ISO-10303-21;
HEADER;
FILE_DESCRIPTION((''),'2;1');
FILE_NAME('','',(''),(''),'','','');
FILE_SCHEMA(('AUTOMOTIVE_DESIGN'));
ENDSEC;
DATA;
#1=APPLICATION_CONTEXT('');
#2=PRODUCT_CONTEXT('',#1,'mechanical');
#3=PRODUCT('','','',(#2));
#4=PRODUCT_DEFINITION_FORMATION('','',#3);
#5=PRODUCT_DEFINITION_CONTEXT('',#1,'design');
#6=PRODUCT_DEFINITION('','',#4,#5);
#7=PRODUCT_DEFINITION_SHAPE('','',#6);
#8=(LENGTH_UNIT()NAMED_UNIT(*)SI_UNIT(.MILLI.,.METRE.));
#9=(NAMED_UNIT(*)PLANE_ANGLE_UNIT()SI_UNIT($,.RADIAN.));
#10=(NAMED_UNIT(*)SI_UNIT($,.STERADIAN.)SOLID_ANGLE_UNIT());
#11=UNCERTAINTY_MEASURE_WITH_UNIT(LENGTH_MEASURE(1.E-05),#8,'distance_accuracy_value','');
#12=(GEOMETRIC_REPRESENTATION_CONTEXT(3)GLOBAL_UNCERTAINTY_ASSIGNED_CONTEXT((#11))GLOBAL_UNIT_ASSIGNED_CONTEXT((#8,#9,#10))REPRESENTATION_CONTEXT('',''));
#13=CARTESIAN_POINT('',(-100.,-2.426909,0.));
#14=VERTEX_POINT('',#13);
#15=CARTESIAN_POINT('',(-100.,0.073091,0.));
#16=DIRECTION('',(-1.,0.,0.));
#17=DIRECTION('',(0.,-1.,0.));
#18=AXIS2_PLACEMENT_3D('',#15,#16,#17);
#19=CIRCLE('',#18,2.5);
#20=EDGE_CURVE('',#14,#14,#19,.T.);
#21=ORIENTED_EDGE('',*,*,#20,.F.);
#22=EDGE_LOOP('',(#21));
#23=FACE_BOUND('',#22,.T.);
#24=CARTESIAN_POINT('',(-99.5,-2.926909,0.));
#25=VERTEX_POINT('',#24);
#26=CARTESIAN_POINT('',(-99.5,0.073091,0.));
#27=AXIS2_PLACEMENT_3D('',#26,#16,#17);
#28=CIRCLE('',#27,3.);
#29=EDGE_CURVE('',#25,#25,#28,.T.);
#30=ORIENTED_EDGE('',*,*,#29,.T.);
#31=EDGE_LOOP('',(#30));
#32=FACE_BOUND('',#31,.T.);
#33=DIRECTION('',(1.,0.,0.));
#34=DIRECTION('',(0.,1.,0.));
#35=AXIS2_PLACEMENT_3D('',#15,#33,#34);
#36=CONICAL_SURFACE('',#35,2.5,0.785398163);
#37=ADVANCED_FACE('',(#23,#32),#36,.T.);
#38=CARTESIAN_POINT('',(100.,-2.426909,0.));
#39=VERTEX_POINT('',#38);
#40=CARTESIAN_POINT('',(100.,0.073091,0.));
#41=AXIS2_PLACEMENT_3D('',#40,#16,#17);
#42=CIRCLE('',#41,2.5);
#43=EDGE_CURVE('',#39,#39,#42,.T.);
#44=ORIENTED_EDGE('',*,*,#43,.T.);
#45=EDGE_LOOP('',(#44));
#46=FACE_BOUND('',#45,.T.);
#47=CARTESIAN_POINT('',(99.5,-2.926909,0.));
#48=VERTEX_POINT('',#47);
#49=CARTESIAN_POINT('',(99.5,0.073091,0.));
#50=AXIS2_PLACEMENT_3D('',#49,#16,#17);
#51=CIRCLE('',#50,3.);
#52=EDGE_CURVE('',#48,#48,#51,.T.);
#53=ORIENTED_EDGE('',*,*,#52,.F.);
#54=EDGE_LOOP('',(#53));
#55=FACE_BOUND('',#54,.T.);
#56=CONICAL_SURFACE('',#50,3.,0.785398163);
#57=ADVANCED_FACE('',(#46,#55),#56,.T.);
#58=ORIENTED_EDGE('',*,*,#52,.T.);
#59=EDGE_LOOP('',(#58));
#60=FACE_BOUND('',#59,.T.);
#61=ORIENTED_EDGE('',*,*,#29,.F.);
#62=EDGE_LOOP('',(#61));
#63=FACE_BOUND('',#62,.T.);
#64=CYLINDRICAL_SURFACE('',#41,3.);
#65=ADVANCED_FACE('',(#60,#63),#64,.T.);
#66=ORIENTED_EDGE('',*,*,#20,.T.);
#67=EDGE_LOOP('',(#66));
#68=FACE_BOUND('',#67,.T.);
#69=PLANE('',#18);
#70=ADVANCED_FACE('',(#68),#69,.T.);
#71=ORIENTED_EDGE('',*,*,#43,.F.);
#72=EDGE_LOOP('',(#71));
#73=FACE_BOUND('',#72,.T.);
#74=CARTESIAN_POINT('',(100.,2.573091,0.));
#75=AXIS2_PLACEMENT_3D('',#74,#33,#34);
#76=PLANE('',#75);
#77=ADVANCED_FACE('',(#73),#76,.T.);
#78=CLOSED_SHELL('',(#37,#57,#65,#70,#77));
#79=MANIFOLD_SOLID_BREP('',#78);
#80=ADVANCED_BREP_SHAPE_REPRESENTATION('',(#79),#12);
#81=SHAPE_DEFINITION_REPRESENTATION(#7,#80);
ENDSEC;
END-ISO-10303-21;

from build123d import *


with BuildPart() as part:
    # Sketch1 → Revolve1 (revolve)
    with BuildSketch(Plane(origin=(0, 0, 0), x_dir=(-1, 0, 0), z_dir=(0, 0, -1)), mode=Mode.PRIVATE) as revolve1_sk:
        Polygon((-100, 2.573090783), (-100, 0.073090783), (100, 0.073090783), (100, 2.573090783), (99.5, 3.073090783), (-99.5, 3.073090783), align=None)
    revolve(revolve1_sk.sketch.rotate(Axis((100, 0.073090783, 0), (-1, 0, 0)), 180), axis=Axis((100, 0.073090783, 0), (-1, 0, 0)))


solid = part.part
